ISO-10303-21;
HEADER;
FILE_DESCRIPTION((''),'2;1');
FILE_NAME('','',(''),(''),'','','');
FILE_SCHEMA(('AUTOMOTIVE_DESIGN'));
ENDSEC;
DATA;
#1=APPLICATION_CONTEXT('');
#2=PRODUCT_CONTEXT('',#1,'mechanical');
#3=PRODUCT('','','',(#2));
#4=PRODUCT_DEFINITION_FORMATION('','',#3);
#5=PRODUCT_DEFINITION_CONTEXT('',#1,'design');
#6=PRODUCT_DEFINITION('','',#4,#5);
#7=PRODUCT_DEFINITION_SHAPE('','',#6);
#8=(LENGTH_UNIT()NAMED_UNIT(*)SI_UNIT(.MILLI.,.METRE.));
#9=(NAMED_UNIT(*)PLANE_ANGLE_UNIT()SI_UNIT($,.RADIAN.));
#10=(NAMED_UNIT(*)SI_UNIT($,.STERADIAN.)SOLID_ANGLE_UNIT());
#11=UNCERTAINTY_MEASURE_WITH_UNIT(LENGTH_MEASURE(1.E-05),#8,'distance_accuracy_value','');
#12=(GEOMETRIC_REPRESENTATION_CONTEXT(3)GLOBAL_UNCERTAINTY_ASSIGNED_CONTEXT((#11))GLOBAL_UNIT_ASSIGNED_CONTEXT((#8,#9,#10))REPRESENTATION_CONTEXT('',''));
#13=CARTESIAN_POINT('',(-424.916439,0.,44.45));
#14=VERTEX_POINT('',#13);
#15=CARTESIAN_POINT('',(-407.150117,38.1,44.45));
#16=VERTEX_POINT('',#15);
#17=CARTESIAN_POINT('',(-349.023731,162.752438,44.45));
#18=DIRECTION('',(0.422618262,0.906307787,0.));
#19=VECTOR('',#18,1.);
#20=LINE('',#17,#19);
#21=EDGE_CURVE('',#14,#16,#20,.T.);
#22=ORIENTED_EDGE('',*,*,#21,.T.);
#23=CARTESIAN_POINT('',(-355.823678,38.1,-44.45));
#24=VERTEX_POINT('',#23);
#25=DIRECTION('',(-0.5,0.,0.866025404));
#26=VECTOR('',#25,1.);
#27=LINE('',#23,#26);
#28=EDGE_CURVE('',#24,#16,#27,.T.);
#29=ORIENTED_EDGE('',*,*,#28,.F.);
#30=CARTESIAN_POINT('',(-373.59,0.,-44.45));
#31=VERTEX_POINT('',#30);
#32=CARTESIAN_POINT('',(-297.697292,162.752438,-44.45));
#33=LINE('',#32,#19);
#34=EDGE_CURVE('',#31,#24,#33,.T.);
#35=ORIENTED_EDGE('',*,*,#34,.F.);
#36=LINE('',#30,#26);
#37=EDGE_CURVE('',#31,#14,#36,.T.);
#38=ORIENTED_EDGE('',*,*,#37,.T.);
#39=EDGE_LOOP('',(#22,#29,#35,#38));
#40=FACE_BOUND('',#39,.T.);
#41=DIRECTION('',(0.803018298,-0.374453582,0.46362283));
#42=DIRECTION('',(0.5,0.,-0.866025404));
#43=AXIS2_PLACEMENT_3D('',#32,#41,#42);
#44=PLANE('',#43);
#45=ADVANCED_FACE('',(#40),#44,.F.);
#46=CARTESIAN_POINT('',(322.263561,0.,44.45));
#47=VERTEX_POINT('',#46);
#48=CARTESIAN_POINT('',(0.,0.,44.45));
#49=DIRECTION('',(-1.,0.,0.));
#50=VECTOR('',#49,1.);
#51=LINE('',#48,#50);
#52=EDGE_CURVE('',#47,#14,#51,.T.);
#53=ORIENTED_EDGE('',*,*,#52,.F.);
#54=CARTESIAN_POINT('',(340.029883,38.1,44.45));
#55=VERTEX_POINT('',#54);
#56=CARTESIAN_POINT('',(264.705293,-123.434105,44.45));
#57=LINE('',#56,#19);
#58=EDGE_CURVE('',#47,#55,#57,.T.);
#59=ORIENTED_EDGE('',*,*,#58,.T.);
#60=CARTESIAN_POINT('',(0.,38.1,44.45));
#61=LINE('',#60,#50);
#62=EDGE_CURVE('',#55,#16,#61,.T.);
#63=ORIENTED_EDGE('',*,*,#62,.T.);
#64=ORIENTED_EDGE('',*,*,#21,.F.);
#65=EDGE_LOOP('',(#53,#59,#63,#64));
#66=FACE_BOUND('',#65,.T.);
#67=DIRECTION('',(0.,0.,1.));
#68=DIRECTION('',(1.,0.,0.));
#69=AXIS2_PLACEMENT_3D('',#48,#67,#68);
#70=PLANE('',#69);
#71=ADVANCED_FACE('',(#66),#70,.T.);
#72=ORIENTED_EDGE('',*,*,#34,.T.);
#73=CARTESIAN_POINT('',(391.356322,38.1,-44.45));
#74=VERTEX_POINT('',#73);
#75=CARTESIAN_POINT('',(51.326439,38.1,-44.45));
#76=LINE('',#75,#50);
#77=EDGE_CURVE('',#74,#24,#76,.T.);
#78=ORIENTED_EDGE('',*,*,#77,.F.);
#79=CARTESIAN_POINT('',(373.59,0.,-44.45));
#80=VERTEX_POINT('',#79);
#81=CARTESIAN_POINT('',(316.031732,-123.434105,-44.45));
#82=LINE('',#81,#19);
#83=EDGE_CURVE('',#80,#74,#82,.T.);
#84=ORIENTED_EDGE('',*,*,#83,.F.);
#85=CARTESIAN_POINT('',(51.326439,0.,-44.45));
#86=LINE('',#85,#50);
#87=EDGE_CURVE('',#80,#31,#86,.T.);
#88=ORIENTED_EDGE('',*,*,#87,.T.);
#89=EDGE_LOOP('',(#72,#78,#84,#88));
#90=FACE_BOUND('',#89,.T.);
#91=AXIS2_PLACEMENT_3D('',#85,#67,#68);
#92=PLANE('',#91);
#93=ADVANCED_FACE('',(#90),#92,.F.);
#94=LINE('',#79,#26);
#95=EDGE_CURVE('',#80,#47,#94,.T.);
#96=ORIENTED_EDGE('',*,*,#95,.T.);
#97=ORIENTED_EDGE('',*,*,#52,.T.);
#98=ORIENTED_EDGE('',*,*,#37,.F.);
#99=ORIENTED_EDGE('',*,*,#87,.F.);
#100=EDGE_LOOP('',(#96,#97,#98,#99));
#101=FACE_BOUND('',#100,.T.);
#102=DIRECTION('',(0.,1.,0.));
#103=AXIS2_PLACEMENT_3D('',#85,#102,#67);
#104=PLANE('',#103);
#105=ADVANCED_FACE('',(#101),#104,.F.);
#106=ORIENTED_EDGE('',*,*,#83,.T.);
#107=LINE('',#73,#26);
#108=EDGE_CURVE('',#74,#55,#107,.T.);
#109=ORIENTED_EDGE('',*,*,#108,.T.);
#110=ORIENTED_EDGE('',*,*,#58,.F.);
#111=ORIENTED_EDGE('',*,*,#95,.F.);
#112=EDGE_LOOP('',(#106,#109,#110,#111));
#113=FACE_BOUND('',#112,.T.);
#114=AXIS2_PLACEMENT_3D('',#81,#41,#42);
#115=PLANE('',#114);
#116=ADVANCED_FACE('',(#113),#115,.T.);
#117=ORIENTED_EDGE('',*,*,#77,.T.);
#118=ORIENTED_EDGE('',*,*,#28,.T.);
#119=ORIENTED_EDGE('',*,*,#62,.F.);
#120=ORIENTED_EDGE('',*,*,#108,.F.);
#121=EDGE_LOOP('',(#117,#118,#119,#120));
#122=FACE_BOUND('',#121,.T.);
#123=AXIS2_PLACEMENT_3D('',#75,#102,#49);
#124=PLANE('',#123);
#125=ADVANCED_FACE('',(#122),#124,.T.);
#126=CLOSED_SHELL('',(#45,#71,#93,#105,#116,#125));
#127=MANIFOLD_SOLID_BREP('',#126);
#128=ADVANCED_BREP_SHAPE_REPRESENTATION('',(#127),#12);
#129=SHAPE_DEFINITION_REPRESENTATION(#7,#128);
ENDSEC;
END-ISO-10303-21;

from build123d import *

# Parameters (mm, degrees)
BOSS_EXTRUDE1_DEPTH = 102.652877862


with BuildPart() as part:
    # Sketch11 → Boss-Extrude1 (new, along a direction that is not the sketch's normal)
    with BuildSketch(Plane.XY.offset(44.45)):
        Polygon((-424.916438931, 0), (322.263561069, 0), (322.263561069, 38.1), (-407.150117155, 38.1), align=None)
        Polygon((322.263561069, 0), (340.029882845, 38.1), (322.263561069, 38.1), align=None)
    extrude(amount=-BOSS_EXTRUDE1_DEPTH, dir=(-0.5000000000000009, 0, 0.8660254037844382))


solid = part.part
